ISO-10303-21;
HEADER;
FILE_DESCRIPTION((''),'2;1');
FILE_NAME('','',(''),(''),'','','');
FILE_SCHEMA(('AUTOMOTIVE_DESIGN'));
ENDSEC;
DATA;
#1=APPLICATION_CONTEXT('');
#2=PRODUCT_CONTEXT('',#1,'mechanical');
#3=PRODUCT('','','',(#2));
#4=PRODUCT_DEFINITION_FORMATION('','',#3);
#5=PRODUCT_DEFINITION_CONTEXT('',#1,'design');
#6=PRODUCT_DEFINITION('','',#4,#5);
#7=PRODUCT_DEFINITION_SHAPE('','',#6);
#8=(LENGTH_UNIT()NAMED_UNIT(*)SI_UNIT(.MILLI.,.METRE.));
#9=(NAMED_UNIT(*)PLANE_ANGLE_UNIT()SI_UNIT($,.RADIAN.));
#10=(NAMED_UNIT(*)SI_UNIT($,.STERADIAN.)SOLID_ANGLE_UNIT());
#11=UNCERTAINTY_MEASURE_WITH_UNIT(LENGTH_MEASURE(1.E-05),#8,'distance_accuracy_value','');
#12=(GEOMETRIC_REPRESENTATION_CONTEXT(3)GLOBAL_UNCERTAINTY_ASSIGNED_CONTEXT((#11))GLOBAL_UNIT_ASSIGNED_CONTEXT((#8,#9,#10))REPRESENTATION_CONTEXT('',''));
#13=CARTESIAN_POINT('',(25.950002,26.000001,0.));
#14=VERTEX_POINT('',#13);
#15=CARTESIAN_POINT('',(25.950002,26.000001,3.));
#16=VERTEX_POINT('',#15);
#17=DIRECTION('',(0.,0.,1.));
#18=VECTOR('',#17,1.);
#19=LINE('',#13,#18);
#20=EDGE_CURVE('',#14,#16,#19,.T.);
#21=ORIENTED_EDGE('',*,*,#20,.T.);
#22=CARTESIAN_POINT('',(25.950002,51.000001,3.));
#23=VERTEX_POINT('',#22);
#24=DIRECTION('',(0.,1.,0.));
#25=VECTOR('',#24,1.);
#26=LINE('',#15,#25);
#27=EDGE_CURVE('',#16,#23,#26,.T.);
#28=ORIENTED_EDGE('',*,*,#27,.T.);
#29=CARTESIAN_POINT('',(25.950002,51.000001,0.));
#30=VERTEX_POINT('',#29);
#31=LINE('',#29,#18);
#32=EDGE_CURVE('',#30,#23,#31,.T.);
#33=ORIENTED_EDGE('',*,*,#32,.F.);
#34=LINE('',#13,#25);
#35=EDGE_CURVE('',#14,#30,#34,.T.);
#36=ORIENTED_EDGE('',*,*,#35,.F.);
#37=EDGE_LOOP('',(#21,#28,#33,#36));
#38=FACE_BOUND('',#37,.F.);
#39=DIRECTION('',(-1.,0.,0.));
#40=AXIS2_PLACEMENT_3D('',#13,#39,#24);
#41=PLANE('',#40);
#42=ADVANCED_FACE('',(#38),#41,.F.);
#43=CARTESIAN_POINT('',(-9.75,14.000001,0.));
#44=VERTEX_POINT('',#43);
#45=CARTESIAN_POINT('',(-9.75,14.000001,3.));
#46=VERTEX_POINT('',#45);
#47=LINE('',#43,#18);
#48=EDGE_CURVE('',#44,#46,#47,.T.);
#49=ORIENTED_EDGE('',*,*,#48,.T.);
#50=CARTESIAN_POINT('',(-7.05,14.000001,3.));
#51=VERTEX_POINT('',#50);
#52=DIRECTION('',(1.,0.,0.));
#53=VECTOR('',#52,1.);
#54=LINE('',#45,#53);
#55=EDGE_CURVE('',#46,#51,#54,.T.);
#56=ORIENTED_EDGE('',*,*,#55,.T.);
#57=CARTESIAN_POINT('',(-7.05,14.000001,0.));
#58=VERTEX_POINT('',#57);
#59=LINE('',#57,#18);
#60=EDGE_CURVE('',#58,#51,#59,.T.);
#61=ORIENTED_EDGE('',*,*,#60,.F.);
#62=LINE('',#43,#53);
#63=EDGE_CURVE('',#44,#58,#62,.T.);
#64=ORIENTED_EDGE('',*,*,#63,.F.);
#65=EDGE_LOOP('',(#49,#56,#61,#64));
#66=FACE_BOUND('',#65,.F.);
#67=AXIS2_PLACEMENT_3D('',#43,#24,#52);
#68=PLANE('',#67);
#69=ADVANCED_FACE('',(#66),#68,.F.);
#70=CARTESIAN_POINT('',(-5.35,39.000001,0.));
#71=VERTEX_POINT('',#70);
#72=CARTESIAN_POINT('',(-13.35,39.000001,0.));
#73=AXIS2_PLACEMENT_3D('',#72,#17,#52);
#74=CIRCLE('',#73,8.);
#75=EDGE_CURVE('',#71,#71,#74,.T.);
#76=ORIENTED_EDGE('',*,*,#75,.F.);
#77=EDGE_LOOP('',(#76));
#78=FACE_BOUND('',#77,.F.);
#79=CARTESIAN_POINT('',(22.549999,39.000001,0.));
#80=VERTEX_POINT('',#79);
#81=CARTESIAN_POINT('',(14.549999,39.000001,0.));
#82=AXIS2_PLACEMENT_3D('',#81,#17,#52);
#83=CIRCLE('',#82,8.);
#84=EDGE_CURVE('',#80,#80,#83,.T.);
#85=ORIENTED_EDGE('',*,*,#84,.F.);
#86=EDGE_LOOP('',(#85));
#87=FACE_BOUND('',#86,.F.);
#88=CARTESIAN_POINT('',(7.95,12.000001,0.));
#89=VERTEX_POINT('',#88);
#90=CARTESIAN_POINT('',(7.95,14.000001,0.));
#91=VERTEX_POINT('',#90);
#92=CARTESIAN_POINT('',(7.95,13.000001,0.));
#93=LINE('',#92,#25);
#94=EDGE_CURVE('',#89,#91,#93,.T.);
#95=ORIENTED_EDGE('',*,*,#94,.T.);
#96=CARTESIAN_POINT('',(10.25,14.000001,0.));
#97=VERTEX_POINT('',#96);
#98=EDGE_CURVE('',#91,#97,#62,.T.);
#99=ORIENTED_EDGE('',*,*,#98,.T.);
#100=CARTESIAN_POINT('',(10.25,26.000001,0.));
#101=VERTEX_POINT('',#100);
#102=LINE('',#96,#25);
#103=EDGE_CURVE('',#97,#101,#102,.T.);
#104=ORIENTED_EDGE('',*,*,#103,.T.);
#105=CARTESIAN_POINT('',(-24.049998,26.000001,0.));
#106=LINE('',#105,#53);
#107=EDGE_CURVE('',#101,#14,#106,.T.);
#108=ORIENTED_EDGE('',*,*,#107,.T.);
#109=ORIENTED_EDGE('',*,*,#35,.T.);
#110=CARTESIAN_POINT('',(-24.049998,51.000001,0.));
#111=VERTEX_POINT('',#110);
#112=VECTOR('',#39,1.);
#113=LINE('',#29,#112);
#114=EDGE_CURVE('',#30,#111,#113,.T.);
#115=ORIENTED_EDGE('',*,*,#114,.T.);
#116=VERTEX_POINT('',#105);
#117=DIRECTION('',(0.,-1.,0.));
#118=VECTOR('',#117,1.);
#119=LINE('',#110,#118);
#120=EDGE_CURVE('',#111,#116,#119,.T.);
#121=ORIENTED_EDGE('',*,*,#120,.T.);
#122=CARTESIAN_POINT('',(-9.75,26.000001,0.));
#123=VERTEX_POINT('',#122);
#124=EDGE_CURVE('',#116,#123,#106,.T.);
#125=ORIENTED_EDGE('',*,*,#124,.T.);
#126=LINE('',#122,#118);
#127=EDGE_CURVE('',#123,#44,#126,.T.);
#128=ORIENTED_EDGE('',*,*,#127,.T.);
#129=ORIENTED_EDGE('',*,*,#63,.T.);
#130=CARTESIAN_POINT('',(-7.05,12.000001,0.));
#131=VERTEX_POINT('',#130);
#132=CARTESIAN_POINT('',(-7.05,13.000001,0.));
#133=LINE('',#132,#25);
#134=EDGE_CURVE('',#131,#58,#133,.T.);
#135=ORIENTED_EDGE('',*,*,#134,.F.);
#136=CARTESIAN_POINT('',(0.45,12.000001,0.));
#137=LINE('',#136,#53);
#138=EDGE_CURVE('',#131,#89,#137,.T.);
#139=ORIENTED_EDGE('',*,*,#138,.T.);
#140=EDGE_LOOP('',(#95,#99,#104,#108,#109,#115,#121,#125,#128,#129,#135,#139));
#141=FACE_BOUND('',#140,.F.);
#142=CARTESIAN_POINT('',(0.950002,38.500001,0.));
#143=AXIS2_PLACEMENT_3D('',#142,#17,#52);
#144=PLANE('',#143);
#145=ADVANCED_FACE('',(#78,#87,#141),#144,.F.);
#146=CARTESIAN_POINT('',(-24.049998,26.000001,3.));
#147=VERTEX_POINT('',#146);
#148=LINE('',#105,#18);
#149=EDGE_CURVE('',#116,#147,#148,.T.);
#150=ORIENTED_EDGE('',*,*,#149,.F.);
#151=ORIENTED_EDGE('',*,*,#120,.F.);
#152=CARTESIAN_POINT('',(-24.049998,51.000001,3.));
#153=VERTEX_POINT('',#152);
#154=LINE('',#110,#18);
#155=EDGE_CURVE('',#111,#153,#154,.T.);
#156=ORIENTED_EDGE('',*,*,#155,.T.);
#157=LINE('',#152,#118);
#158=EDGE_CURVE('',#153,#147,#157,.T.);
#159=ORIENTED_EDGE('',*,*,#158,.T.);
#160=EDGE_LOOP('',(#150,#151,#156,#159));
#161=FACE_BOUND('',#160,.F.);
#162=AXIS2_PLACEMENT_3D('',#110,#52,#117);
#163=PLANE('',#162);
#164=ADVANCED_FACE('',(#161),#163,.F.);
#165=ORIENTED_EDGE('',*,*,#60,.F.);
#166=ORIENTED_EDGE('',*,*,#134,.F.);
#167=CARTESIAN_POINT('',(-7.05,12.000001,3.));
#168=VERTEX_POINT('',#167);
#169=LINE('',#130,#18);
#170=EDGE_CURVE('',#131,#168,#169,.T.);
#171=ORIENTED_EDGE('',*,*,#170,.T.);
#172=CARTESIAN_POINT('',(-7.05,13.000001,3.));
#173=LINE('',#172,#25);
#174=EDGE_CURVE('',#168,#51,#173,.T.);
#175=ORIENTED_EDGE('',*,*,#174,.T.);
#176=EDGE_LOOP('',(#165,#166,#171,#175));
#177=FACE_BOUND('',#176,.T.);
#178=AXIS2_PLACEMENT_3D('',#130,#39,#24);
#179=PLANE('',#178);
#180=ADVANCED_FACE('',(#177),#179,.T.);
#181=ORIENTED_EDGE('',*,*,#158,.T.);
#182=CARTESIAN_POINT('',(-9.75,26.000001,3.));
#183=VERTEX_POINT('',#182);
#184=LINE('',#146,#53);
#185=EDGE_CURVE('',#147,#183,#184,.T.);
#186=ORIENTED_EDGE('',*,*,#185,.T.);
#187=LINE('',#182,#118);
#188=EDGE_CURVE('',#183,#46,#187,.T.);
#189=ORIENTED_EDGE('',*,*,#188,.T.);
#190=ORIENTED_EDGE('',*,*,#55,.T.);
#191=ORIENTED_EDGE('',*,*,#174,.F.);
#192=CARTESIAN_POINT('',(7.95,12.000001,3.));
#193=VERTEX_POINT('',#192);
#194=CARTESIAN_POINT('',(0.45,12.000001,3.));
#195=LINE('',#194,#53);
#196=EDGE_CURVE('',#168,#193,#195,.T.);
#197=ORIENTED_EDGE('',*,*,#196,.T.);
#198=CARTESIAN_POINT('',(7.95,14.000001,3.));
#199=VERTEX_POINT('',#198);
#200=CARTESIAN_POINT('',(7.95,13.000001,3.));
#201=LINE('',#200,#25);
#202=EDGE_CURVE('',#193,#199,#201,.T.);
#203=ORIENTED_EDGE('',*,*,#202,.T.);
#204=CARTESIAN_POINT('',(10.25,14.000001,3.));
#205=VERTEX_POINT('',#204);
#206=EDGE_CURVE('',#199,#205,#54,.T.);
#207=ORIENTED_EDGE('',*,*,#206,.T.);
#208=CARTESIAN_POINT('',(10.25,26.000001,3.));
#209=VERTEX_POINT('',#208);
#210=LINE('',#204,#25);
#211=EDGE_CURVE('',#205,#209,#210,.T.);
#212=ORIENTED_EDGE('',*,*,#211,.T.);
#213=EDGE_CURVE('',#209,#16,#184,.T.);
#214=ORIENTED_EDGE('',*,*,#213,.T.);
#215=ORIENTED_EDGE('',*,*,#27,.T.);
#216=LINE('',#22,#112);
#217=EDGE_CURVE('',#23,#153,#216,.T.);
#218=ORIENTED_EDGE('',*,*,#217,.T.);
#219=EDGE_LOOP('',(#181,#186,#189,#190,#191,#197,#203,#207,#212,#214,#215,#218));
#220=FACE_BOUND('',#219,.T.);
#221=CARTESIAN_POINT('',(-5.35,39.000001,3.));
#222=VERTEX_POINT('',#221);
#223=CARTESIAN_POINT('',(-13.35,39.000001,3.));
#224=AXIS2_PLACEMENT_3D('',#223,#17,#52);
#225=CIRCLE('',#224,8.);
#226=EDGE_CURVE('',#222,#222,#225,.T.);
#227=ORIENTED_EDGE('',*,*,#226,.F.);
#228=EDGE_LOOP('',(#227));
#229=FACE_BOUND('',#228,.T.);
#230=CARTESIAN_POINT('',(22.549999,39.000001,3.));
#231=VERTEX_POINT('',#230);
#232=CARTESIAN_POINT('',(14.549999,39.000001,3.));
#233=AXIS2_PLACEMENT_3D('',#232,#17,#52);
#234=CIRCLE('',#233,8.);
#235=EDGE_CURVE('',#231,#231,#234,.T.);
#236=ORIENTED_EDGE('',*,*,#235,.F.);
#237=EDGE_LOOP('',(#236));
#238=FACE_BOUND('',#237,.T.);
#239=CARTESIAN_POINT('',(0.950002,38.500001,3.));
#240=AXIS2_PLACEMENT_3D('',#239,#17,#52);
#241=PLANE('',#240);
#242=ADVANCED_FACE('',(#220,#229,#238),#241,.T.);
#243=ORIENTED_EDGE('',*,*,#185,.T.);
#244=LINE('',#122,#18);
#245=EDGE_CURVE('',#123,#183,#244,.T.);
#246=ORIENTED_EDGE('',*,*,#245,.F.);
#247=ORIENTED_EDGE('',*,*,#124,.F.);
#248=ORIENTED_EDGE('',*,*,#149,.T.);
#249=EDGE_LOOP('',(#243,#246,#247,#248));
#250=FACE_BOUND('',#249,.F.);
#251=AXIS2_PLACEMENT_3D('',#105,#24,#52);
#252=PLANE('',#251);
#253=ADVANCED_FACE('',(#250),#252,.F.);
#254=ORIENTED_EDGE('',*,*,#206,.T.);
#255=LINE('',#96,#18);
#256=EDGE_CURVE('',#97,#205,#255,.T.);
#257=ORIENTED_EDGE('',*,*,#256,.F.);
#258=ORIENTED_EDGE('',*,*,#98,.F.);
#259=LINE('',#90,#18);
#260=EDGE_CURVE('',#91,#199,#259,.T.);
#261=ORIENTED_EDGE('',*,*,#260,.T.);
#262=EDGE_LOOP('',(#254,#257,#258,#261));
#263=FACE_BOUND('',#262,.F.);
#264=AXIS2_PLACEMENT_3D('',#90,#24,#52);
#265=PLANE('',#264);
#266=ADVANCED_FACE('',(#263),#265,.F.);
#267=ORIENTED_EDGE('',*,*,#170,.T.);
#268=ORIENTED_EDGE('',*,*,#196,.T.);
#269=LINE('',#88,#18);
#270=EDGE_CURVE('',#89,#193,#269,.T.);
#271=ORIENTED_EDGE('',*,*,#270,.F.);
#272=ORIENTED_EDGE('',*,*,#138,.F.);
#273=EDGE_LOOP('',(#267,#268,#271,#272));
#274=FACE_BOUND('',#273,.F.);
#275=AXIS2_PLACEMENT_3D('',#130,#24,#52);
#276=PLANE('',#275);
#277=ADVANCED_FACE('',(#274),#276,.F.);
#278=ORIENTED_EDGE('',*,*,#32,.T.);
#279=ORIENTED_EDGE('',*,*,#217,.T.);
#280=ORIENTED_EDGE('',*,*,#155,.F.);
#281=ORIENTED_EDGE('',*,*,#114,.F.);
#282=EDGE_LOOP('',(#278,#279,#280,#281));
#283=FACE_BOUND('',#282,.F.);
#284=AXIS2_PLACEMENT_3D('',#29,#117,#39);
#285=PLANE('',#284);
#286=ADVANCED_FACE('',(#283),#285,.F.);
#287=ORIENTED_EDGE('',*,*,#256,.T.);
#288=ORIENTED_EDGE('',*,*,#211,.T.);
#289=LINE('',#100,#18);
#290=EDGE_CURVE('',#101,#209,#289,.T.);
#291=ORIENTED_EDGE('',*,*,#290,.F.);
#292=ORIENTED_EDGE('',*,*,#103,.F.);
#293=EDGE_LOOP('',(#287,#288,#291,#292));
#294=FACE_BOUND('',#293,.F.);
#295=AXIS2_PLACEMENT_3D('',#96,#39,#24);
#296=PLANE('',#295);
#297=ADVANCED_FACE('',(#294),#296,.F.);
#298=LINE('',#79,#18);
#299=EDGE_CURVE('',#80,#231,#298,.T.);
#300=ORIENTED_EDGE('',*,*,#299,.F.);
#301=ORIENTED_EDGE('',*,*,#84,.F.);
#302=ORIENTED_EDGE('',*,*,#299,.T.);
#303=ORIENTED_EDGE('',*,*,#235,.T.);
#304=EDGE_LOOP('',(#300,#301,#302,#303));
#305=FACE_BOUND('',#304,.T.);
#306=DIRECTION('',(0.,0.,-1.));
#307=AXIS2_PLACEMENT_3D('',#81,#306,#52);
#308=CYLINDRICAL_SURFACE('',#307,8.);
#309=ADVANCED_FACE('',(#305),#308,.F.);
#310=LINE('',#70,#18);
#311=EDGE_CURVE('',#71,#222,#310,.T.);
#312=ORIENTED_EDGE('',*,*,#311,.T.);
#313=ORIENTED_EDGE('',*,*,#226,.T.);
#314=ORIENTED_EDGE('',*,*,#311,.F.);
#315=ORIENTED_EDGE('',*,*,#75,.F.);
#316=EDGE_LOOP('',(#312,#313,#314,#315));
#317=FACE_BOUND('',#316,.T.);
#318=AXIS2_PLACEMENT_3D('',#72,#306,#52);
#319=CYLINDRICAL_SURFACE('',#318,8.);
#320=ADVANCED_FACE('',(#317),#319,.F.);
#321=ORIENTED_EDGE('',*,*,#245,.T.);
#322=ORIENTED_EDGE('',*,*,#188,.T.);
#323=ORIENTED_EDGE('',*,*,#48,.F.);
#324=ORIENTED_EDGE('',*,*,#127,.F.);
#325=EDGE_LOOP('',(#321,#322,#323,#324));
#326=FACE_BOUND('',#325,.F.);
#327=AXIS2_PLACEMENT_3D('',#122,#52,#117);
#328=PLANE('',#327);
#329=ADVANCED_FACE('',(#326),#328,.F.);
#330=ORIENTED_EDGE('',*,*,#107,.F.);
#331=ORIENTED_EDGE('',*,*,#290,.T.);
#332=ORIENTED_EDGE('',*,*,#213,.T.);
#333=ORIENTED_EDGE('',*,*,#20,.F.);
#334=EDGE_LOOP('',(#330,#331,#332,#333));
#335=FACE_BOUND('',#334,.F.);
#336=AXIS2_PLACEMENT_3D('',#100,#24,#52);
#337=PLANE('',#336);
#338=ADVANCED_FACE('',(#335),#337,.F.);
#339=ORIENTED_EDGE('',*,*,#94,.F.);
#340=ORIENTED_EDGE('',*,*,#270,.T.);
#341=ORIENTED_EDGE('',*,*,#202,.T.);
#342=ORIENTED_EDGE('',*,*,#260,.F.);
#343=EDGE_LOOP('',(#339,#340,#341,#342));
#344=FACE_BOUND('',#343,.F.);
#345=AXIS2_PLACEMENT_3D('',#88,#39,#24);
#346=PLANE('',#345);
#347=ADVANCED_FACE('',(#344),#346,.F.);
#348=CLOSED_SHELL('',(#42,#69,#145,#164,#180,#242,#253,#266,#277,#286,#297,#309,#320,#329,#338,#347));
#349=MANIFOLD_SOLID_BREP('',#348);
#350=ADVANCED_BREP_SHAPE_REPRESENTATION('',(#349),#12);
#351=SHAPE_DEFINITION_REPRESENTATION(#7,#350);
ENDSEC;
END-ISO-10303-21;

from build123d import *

# Parameters (mm, degrees)
F0_R     = 8
F0_W     = 15
F0_H     = 2
F1_DEPTH = 3


with BuildPart() as f1:
    # F0 (on Top) → F1 (new body)
    with BuildSketch(Plane.XY):
        Polygon((25.950002, 51.000001), (-24.049998, 51.000001), (-24.049998, 26.000001), (-9.75, 26.000001), (10.25, 26.000001), (25.950002, 26.000001), align=None)
        with Locations((-13.35, 39.000001)):
            Circle(F0_R, mode=Mode.SUBTRACT)
        with Locations((14.549999, 39.000001)):
            Circle(F0_R, mode=Mode.SUBTRACT)
        Polygon((10.25, 26.000001), (-9.75, 26.000001), (-9.75, 14.000001), (-7.05, 14.000001), (7.95, 14.000001), (10.25, 14.000001), align=None)
        with Locations((0.45, 13.000001)):
            Rectangle(F0_W, F0_H)
    extrude(amount=F1_DEPTH)


solid = f1.part
